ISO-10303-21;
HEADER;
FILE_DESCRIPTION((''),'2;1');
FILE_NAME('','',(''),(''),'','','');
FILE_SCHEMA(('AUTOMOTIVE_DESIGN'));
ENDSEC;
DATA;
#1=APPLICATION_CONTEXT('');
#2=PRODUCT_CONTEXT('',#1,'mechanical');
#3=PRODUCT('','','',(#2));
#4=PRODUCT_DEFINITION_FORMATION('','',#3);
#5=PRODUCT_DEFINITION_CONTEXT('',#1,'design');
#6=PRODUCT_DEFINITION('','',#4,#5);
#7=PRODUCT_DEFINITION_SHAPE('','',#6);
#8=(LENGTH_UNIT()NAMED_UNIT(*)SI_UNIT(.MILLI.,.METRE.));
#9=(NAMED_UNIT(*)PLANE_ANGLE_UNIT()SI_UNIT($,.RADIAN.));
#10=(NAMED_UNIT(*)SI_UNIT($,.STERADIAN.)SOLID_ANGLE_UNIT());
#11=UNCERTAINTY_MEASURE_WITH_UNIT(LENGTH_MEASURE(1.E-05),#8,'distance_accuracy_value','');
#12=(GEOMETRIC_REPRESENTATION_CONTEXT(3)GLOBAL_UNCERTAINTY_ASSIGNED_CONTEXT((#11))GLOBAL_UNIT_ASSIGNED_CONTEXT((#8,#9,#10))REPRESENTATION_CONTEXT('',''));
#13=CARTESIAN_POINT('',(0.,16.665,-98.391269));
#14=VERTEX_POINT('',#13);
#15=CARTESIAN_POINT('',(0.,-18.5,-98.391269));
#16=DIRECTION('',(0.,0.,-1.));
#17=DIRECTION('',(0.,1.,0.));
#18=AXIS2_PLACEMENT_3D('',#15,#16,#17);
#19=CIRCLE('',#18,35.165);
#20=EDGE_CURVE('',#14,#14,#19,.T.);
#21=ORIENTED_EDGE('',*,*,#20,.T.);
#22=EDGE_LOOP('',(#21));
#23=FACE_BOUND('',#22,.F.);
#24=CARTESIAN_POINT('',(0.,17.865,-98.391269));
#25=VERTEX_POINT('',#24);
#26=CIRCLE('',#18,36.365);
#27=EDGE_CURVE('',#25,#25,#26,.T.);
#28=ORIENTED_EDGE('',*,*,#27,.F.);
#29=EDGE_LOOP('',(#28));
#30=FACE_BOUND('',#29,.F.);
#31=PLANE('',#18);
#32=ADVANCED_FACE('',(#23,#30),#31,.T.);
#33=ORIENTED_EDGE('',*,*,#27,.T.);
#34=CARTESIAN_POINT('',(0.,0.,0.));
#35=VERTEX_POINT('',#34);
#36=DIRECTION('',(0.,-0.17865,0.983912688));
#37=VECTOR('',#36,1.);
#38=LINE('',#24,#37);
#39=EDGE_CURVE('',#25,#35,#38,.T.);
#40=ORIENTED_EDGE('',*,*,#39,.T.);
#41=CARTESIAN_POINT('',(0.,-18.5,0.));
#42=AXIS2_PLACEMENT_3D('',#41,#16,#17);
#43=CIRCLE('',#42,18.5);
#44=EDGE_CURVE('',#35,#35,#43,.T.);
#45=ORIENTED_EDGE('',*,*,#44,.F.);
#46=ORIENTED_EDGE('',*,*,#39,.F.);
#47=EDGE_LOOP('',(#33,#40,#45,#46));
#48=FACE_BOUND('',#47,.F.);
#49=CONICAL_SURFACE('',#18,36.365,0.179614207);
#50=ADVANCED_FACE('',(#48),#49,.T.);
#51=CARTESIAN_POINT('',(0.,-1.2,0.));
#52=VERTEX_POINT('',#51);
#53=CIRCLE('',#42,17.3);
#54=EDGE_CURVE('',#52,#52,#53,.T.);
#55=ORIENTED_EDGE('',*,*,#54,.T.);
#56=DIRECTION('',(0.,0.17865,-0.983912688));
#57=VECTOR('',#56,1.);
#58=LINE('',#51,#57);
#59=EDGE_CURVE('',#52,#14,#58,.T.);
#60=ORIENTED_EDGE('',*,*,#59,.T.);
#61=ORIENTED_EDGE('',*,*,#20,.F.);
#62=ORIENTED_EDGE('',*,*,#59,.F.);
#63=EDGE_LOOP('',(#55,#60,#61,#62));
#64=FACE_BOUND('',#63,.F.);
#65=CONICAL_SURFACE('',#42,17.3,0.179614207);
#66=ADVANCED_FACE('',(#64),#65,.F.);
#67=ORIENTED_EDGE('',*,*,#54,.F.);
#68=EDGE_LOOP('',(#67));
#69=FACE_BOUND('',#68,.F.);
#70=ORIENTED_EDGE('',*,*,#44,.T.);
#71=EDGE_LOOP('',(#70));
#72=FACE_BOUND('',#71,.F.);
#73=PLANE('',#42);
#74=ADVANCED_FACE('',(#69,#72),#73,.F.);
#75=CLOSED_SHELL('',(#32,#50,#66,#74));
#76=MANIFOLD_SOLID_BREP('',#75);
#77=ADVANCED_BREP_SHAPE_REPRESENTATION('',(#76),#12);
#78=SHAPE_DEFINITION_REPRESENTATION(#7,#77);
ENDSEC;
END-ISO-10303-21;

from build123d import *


with BuildPart() as f1:
    # F0 (on Right) → F1 (revolve)
    with BuildSketch(Plane.YZ):
        Polygon((17.865, -98.391269), (0, 0), (-1.2, 0), (16.665, -98.391269), align=None)
    revolve(axis=Axis((0, -18.5, -48.189562), (0, 0, -1)))


solid = f1.part
